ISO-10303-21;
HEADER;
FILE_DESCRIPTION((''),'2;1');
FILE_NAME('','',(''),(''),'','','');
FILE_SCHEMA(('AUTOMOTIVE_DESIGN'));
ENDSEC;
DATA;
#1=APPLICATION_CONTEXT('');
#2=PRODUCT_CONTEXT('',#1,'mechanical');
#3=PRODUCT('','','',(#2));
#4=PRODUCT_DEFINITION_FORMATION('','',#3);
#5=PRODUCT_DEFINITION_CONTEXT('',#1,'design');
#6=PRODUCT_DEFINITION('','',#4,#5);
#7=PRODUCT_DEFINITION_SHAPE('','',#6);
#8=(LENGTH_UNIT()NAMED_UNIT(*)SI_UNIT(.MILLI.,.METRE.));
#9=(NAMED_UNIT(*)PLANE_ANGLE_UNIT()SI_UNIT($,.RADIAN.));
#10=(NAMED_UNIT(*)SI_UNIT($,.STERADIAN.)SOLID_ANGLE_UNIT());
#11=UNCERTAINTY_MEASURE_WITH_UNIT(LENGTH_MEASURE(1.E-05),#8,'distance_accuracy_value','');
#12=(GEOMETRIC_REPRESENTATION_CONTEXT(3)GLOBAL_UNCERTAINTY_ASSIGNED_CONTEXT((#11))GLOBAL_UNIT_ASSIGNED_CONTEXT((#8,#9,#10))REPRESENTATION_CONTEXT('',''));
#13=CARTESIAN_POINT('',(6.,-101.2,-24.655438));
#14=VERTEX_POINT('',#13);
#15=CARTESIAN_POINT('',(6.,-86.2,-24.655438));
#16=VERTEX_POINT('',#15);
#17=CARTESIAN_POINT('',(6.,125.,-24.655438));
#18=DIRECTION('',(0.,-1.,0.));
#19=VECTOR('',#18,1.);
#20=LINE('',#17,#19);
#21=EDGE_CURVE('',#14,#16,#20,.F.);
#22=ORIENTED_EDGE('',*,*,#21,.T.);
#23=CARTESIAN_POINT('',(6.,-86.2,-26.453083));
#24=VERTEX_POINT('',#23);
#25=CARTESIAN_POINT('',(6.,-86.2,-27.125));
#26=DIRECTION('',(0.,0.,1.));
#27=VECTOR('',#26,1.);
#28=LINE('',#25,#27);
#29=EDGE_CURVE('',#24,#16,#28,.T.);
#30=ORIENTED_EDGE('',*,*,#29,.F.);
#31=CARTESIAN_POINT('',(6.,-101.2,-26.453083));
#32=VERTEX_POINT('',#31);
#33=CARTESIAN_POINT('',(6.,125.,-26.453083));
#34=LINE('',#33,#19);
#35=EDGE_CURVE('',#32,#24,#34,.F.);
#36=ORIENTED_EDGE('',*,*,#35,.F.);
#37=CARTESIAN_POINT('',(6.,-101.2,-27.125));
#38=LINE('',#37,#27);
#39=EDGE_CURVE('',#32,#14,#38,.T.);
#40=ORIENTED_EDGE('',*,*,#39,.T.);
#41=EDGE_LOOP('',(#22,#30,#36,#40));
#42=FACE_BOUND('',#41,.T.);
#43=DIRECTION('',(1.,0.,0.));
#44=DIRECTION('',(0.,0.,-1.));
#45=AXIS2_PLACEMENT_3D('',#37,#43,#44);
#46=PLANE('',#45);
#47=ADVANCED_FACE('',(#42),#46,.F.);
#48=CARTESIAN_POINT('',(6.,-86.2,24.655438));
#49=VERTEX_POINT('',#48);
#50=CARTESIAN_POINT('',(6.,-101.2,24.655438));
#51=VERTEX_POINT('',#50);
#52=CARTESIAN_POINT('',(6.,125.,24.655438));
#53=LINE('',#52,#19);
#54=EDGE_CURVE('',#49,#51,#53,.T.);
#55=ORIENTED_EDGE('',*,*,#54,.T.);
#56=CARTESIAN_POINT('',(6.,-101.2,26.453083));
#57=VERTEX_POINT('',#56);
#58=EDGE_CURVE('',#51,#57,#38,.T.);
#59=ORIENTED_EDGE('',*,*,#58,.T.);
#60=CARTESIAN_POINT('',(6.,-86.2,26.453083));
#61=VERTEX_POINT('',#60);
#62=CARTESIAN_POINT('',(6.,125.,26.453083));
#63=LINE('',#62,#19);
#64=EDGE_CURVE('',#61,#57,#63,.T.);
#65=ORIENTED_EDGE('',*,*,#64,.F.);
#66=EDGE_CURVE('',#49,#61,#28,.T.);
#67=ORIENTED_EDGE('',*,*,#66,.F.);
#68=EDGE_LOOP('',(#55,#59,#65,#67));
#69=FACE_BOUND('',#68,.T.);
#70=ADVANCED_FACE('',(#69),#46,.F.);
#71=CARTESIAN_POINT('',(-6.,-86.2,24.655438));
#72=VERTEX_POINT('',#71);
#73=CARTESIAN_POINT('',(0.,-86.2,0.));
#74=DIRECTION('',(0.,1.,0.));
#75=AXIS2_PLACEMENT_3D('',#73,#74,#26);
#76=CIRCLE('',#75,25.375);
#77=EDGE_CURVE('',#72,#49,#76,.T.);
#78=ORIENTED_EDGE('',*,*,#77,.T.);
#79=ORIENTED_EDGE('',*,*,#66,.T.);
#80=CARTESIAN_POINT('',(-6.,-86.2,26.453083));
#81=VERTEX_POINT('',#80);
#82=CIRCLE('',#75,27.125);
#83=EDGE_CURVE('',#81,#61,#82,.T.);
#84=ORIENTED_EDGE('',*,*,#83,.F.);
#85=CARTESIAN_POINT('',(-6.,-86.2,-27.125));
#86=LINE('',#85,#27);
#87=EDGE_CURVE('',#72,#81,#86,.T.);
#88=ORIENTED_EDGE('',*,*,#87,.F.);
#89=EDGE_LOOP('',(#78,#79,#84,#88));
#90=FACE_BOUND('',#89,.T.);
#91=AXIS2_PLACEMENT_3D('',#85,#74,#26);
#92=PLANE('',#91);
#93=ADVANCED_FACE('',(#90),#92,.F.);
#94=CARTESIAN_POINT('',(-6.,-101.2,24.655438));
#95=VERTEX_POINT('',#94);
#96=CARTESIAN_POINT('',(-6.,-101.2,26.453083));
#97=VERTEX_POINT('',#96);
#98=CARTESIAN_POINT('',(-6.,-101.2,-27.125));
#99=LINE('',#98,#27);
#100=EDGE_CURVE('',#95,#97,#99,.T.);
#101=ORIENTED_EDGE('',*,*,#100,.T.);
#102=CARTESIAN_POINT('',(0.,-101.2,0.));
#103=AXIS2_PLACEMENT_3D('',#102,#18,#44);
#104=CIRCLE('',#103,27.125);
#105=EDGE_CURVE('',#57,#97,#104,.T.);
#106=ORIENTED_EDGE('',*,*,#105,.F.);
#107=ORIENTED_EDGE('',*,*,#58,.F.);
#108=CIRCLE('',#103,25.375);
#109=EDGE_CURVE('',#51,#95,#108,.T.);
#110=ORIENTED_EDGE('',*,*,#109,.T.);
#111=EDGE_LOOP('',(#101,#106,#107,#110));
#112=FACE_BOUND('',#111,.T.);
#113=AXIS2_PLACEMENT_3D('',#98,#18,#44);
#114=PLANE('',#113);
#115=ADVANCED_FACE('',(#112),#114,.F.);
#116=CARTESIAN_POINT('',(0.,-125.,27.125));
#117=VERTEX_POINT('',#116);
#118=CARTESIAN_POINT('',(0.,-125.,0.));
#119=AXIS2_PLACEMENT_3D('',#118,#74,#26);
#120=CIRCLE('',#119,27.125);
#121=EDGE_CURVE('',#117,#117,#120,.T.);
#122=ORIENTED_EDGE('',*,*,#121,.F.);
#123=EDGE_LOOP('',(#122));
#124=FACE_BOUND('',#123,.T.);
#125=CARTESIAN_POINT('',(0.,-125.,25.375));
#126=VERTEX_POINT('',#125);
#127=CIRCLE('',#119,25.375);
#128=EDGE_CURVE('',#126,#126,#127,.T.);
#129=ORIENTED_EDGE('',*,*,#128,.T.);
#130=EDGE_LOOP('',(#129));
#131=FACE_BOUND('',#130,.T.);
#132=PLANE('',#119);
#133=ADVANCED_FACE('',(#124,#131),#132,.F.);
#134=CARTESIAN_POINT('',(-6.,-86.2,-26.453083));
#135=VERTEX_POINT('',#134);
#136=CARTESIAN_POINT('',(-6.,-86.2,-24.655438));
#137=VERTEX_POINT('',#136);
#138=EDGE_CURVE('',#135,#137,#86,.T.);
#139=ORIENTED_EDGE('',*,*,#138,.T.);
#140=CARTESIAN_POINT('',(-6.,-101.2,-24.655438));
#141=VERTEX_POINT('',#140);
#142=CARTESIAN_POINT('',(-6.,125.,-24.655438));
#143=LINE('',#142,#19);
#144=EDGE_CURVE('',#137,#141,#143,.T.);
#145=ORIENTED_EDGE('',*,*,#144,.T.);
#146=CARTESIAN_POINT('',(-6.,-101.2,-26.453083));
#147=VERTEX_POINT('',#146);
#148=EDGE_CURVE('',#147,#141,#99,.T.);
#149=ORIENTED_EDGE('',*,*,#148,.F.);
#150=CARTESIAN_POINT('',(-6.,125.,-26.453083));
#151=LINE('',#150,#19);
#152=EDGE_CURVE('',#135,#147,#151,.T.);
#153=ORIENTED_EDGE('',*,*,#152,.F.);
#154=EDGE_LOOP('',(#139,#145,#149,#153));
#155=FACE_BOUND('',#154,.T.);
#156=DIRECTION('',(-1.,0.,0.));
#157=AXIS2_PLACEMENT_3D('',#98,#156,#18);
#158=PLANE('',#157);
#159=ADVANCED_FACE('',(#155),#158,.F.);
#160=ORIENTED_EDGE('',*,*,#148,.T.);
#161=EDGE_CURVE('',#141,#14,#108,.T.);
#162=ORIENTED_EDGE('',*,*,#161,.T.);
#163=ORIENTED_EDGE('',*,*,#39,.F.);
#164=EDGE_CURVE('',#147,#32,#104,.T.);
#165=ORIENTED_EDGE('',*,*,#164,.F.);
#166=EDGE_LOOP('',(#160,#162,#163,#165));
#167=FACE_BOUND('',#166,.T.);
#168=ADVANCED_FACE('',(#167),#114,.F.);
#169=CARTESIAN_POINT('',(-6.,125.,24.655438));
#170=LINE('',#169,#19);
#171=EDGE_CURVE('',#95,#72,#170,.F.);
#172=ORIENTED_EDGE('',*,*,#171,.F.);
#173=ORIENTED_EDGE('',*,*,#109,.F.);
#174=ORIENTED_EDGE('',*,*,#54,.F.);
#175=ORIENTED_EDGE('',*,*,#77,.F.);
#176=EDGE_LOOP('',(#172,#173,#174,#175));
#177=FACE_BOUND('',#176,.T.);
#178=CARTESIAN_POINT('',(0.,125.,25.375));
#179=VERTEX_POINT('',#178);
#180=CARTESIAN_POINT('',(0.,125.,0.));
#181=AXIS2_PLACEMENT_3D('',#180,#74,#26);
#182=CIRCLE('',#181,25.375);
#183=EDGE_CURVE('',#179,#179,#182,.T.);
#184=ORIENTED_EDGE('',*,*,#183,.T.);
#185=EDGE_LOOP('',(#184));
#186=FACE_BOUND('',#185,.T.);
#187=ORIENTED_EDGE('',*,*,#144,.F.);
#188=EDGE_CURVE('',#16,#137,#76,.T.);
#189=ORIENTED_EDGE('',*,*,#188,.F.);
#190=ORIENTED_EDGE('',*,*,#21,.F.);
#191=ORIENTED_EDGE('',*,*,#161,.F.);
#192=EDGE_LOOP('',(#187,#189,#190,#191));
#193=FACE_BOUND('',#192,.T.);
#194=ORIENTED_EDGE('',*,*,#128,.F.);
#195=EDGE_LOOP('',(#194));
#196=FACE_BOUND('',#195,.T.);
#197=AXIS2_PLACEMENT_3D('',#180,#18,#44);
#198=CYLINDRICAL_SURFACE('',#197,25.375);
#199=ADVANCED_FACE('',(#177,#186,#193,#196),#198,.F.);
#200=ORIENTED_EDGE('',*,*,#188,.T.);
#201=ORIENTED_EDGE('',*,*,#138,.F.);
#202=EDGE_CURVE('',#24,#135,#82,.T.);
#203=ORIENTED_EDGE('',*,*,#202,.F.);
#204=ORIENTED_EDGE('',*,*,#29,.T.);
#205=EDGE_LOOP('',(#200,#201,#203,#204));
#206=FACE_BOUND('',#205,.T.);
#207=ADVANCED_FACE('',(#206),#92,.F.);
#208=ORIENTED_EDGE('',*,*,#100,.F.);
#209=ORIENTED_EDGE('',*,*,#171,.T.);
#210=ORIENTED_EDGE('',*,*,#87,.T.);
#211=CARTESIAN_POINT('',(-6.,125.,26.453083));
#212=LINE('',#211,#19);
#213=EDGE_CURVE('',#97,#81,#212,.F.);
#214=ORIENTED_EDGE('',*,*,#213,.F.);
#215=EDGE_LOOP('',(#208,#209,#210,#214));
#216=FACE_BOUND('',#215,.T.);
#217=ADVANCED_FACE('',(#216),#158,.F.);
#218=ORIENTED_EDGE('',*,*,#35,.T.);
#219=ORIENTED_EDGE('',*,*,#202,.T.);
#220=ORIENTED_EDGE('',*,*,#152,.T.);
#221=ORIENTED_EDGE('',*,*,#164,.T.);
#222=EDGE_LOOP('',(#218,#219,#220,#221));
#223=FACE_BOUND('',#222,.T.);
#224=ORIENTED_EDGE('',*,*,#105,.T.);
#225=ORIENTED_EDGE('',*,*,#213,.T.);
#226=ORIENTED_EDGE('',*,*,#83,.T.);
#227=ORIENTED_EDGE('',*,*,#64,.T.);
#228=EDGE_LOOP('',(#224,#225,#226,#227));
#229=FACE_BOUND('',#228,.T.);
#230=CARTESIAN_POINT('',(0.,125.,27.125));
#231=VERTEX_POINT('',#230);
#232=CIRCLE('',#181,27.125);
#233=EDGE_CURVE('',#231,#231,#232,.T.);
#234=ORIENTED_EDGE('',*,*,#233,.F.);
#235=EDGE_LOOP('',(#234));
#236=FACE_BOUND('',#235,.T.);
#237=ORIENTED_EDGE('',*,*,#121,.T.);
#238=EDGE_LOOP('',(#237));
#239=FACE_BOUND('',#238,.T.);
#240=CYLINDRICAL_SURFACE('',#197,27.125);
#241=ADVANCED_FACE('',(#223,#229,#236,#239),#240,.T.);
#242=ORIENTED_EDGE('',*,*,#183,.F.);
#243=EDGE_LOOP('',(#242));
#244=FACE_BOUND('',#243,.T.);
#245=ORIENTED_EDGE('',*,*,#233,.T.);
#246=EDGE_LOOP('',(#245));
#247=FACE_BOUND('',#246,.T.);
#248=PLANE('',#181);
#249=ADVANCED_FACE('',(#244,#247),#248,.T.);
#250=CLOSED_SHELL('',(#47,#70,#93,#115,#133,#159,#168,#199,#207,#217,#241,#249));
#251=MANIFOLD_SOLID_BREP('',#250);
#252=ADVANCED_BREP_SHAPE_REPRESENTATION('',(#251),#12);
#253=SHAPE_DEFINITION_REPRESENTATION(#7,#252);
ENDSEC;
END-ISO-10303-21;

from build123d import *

# Parameters (mm, degrees)
SKETCH1_R               = 27.125
SKETCH1_R_2             = 25.375
BOSS_EXTRUDE1_DEPTH     = 125
SKETCH5_W               = 12
SKETCH5_H               = 15
CUT_EXTRUDE1_DEPTH      = 28.125
CUT_EXTRUDE1_DEPTH_BACK = 28.125


with BuildPart() as part:
    # Sketch1 → Boss-Extrude1 (new body, symmetric)
    with BuildSketch(Plane(origin=(0, 0, 0), x_dir=(1, 0, 0), z_dir=(0, 1, 0))):
        Circle(SKETCH1_R)
        Circle(SKETCH1_R_2, mode=Mode.SUBTRACT)
    extrude(amount=BOSS_EXTRUDE1_DEPTH, both=True)

    # Sketch5 → Cut-Extrude1 (cut, two sides)
    with BuildSketch(Plane.XY) as cut_extrude1_sk:
        with Locations((0, -93.7)):
            Rectangle(SKETCH5_W, SKETCH5_H)
    extrude(amount=CUT_EXTRUDE1_DEPTH, mode=Mode.SUBTRACT)
    extrude(cut_extrude1_sk.sketch, amount=-CUT_EXTRUDE1_DEPTH_BACK, mode=Mode.SUBTRACT)


solid = part.part
